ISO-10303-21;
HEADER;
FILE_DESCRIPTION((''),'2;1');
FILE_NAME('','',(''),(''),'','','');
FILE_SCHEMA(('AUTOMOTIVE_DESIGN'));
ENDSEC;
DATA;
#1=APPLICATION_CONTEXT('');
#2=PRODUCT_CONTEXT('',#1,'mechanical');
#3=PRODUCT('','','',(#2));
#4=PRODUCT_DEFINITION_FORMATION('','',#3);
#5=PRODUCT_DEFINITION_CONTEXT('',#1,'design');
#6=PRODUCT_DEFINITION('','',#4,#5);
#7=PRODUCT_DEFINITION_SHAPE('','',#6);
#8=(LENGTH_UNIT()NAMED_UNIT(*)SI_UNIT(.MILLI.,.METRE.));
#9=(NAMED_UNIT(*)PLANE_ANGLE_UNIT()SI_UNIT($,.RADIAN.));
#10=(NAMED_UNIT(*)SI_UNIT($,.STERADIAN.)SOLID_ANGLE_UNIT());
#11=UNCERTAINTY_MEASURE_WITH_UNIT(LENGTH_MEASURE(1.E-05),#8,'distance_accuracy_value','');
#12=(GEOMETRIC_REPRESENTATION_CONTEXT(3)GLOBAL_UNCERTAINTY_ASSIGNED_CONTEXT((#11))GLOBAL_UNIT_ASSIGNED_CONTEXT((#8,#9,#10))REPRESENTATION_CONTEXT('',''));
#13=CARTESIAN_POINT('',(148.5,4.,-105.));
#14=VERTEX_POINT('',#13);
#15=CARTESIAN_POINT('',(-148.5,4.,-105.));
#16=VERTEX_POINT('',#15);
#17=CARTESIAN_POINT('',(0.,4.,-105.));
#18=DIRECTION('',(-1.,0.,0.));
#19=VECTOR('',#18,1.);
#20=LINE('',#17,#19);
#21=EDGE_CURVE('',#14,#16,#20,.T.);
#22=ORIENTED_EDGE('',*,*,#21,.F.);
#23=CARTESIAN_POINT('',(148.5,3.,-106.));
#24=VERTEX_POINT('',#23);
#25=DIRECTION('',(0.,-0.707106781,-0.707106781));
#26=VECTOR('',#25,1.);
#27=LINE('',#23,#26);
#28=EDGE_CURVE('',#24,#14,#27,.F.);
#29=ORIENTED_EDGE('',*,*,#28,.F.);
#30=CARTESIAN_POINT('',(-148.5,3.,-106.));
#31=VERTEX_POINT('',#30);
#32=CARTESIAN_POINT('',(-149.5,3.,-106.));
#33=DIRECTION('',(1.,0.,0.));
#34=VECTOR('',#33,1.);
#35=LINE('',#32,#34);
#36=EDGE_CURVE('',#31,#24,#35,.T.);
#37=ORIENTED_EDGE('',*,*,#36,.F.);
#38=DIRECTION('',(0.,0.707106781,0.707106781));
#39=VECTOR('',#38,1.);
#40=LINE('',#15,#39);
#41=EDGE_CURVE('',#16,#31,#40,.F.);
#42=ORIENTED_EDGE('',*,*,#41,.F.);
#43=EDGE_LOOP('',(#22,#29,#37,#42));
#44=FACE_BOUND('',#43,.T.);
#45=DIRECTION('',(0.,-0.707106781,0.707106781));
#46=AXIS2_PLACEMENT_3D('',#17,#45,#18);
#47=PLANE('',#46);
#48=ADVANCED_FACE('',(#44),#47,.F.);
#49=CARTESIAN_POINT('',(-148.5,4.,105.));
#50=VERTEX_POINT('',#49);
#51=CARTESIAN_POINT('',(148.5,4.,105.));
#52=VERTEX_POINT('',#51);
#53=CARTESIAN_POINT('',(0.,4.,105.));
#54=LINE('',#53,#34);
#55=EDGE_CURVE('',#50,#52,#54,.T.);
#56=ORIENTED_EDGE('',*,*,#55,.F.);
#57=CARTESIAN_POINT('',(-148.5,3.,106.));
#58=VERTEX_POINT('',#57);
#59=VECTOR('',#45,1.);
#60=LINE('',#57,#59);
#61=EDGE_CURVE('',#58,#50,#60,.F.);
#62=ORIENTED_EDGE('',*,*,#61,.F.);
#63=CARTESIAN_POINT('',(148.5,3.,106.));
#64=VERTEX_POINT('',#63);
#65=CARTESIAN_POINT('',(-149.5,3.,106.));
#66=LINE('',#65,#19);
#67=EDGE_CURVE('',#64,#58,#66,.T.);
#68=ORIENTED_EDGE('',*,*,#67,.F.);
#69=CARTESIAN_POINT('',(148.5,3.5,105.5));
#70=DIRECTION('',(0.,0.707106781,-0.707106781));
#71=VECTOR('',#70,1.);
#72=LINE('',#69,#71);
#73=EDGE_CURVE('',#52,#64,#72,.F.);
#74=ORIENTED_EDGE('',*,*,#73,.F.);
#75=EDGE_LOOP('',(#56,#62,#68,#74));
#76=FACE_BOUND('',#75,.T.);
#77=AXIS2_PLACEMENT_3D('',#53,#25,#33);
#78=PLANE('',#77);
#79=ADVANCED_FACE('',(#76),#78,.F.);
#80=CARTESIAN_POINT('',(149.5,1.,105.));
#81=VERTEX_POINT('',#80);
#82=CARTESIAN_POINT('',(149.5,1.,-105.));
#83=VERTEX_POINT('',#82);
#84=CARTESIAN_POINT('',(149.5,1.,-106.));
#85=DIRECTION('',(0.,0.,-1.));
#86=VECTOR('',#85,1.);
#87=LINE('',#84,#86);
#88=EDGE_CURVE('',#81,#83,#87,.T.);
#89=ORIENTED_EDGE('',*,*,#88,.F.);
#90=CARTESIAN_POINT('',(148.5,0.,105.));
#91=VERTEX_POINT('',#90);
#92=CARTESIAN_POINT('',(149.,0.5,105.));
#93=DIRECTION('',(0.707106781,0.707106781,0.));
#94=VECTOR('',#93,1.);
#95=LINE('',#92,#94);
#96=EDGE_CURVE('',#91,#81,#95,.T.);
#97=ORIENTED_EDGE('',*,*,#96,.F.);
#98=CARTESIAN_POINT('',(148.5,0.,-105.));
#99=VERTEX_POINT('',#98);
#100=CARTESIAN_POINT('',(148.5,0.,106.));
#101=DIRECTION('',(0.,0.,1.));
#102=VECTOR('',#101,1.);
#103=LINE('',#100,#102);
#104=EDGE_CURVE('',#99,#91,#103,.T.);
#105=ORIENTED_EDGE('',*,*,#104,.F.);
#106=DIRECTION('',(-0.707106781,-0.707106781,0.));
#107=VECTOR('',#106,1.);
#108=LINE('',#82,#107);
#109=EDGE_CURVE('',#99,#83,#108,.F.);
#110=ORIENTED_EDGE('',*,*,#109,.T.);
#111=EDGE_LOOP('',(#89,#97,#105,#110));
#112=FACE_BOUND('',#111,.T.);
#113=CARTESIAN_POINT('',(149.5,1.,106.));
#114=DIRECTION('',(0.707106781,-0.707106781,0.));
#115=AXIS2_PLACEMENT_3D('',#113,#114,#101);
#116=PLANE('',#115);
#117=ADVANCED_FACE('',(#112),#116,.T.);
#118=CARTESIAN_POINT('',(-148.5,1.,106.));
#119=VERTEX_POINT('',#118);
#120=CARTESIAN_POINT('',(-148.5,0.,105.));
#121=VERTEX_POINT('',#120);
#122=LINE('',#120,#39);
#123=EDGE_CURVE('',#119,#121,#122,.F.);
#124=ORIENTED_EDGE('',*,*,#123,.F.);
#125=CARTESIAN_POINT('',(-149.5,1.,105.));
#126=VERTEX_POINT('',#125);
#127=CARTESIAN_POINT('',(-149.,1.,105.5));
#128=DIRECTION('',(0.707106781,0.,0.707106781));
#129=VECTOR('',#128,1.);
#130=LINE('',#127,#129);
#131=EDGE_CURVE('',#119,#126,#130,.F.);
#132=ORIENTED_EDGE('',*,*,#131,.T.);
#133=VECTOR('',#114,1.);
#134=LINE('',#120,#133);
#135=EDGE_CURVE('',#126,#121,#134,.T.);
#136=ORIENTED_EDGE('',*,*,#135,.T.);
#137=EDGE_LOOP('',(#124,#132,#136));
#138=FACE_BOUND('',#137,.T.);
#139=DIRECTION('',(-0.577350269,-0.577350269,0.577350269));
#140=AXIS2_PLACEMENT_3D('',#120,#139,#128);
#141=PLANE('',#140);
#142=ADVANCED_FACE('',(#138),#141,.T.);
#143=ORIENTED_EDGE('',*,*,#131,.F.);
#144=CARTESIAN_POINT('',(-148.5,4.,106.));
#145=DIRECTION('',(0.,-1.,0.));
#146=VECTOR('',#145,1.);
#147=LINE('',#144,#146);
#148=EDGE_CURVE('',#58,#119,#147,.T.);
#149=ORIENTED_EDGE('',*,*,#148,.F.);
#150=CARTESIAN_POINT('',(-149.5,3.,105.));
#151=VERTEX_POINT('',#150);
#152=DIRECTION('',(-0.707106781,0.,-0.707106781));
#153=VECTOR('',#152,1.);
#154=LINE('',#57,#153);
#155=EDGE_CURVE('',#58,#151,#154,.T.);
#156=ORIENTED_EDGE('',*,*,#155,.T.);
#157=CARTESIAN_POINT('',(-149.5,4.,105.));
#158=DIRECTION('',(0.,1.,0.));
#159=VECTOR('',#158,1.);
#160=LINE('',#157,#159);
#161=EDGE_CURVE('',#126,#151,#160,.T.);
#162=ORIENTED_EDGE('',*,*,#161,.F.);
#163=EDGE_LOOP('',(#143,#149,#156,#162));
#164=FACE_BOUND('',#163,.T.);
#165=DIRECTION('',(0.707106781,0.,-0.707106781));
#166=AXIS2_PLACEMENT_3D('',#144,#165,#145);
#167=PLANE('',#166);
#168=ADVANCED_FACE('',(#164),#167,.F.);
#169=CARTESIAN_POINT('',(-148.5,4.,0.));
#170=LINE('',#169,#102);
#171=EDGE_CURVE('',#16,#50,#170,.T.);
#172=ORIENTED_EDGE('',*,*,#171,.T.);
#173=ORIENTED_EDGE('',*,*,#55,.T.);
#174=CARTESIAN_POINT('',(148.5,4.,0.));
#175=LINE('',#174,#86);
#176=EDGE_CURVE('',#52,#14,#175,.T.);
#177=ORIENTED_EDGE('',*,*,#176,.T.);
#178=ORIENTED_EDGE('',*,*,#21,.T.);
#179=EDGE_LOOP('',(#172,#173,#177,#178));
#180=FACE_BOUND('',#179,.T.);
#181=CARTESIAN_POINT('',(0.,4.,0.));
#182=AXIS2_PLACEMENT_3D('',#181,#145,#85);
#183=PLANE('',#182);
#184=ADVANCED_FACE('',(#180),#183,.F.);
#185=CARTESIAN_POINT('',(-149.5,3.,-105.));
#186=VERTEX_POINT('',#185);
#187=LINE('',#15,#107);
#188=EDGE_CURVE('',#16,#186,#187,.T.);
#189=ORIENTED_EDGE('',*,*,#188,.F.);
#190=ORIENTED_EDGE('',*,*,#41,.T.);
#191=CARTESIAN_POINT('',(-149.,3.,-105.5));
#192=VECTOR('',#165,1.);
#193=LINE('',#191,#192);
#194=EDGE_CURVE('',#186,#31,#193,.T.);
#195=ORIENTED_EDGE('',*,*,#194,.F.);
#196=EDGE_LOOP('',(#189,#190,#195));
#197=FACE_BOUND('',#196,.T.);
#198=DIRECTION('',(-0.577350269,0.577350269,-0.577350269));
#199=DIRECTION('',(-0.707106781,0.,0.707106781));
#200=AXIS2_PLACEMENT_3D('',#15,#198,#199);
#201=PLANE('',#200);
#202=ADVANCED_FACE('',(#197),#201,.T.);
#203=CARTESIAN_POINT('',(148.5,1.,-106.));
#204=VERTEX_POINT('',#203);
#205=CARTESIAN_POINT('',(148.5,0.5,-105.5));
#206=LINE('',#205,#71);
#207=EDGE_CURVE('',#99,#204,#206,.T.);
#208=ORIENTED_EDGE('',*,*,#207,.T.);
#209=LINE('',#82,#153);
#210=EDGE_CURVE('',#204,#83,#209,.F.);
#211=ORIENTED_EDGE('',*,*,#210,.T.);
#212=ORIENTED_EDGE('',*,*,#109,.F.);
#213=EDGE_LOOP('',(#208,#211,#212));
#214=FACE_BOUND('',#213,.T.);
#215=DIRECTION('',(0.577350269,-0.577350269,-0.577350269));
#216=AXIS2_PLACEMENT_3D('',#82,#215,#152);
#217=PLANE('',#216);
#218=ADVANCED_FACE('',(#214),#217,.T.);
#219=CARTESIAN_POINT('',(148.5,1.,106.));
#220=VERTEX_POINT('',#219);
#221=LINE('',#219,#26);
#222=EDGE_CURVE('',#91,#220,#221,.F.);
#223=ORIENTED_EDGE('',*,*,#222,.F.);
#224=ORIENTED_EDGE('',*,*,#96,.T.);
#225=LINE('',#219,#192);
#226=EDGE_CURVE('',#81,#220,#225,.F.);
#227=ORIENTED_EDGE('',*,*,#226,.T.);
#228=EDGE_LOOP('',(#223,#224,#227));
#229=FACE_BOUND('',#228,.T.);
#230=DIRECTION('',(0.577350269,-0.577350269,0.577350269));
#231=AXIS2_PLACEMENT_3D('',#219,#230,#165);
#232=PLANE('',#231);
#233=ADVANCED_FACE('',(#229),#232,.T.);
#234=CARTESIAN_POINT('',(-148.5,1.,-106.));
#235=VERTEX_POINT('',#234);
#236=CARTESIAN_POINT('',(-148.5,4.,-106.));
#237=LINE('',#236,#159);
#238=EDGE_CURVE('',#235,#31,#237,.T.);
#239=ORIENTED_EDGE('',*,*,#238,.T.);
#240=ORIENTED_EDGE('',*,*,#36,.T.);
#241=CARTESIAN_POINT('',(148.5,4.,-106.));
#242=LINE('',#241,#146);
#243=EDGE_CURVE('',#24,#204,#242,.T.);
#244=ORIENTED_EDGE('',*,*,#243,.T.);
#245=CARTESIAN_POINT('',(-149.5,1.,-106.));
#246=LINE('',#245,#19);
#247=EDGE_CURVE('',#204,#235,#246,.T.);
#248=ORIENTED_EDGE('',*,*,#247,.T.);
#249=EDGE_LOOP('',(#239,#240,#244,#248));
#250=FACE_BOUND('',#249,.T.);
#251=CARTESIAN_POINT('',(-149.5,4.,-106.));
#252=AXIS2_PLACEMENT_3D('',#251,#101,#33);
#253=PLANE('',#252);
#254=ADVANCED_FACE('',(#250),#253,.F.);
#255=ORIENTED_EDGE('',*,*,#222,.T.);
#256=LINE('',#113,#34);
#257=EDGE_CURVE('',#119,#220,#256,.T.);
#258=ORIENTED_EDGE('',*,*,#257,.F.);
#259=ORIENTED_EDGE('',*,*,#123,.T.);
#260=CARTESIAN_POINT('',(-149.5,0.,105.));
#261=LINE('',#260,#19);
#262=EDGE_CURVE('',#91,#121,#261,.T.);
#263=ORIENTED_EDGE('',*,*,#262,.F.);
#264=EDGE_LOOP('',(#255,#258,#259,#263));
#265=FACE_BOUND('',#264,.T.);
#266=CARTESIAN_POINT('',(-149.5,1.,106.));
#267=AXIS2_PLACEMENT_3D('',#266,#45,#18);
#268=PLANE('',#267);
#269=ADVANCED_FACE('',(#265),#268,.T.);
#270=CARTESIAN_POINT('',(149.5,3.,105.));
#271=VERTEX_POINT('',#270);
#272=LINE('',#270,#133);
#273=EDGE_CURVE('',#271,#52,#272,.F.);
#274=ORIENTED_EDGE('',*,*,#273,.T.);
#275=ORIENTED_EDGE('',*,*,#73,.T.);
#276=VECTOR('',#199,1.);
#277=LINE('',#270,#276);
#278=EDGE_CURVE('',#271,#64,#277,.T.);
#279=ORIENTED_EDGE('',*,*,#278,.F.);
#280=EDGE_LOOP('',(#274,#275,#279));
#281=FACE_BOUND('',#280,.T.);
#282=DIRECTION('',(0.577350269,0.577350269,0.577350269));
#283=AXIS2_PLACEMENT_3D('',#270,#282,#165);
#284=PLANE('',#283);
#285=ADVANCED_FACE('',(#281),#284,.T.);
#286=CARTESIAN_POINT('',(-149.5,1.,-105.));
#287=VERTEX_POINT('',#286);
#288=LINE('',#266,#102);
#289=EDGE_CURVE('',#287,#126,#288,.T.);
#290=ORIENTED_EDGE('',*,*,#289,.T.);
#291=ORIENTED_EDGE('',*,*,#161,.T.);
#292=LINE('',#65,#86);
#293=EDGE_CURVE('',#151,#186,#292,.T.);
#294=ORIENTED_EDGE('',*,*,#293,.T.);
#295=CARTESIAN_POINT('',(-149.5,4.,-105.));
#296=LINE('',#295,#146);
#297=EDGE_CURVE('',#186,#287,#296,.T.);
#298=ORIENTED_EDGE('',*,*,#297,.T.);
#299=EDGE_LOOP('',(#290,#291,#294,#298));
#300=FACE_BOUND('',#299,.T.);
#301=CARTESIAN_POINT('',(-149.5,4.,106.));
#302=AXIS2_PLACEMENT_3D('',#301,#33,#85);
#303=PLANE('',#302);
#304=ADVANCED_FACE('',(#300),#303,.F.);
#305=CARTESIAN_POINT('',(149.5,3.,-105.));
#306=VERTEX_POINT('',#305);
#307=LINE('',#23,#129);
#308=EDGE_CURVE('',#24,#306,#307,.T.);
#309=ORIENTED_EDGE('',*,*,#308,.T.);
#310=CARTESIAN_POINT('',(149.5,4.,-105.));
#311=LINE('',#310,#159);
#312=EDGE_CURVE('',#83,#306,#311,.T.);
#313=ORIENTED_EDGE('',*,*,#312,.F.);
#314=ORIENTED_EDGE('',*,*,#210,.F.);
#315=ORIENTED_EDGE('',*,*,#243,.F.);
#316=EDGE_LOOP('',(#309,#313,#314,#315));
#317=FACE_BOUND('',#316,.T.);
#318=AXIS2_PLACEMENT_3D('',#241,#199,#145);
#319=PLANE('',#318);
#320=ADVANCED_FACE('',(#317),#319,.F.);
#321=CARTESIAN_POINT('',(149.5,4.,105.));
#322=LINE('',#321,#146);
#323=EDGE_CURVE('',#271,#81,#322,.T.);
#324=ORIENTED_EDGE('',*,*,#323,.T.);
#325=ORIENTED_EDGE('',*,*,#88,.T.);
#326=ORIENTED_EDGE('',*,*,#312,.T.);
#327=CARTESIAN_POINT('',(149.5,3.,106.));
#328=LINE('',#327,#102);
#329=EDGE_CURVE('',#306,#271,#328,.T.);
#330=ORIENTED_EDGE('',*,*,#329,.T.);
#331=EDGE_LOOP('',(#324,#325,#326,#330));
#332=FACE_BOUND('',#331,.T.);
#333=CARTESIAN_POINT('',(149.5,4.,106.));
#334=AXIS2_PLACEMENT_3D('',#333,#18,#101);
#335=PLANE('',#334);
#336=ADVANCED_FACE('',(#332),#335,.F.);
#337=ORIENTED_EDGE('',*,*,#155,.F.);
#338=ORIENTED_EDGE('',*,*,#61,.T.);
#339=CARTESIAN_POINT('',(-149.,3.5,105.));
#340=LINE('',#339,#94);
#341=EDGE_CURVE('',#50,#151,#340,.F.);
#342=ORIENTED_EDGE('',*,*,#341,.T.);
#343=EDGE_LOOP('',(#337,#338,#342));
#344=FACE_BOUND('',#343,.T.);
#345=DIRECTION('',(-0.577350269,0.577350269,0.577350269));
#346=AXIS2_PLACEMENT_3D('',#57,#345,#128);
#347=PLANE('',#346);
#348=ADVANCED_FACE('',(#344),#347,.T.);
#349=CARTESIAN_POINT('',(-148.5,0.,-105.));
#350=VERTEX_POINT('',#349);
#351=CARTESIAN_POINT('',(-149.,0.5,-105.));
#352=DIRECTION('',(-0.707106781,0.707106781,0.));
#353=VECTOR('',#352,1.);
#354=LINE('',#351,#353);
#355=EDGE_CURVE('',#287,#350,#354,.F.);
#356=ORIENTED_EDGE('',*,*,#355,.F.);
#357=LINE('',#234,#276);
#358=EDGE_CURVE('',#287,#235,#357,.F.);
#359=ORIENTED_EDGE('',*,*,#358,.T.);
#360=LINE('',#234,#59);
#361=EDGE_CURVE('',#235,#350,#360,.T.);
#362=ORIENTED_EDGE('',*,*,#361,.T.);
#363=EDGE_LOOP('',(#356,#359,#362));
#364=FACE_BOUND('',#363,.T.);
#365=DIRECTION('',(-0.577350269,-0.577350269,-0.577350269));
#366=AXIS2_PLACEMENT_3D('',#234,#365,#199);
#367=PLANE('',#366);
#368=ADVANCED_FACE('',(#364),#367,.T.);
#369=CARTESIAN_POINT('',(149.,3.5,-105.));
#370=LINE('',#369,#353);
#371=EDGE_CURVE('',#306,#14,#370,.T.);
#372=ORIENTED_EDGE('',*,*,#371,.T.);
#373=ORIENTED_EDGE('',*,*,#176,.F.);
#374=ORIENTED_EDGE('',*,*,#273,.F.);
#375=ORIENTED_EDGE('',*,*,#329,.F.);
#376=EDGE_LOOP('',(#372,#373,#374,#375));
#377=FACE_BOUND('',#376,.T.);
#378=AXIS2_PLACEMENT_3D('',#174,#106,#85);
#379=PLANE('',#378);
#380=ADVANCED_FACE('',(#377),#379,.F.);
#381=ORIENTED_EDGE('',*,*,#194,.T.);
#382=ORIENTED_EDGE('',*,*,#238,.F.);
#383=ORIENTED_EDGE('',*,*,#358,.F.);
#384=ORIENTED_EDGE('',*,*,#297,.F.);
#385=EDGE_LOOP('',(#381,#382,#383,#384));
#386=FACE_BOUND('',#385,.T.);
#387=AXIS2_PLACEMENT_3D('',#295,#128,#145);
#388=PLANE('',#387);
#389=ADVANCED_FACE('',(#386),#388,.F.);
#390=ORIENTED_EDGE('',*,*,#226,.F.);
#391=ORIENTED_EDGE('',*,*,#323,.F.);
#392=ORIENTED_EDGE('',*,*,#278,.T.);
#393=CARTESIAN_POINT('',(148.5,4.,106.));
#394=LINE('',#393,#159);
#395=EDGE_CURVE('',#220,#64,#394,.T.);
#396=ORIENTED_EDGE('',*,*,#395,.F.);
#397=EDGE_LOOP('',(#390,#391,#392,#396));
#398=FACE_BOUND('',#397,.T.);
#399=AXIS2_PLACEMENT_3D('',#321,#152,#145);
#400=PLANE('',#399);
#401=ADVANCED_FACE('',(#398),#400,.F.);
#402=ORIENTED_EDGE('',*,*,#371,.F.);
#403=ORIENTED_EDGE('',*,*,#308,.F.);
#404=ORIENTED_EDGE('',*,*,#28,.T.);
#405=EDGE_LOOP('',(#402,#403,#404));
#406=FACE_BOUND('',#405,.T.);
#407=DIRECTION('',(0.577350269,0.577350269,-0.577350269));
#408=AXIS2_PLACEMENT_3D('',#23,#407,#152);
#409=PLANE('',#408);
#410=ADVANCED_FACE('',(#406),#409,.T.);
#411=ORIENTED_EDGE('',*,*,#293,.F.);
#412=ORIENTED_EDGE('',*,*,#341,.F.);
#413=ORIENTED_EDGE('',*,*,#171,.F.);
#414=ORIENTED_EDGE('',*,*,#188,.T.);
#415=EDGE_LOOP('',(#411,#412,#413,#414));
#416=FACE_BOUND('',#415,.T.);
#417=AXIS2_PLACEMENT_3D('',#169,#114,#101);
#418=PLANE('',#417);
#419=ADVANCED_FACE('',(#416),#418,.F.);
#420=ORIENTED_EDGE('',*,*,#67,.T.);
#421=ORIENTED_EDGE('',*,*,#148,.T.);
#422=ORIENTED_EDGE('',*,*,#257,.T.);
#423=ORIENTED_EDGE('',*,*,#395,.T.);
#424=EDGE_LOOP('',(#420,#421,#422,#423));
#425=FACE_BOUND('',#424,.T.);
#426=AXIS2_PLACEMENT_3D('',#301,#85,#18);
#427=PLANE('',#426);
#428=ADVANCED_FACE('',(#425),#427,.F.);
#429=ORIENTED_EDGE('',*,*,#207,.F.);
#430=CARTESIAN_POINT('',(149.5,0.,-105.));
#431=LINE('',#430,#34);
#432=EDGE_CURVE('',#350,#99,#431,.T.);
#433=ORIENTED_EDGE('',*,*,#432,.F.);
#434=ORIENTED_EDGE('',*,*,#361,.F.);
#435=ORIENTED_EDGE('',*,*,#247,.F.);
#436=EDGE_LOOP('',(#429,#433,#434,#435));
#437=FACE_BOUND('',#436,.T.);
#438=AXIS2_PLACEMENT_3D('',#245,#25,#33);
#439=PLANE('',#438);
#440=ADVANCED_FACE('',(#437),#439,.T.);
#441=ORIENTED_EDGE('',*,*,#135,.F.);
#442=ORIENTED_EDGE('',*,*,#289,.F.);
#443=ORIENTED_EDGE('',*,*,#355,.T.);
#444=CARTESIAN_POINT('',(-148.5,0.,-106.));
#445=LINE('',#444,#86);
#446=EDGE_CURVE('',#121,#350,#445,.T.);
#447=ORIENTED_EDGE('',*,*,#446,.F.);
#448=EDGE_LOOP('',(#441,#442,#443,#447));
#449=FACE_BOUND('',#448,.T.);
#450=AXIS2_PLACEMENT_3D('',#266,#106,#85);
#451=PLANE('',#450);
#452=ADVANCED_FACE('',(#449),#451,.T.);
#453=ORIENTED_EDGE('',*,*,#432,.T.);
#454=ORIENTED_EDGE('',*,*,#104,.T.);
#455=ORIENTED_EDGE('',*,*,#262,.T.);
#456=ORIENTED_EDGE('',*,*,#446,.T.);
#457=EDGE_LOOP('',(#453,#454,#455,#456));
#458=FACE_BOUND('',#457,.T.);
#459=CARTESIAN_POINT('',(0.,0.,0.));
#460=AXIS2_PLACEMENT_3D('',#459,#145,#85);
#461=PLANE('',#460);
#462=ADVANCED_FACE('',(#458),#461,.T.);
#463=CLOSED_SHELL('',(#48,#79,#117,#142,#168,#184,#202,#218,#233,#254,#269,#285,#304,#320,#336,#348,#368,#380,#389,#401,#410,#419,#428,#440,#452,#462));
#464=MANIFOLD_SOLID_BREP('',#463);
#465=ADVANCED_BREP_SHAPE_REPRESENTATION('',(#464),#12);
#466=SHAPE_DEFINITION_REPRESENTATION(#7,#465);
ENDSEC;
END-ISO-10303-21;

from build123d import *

# Parameters (mm, degrees)
CROQUIS1_W              = 299
CROQUIS1_H              = 212
SALIENTE_EXTRUIR1_DEPTH = 4
CHAFL_N1_SIZE           = 1


with BuildPart() as part:
    # Croquis1 → Saliente-Extruir1 (new body)
    with BuildSketch(Plane(origin=(0, 0, 0), x_dir=(1, 0, 0), z_dir=(0, 1, 0))):
        Rectangle(CROQUIS1_W, CROQUIS1_H)
    extrude(amount=SALIENTE_EXTRUIR1_DEPTH)

    # Chaflán1
    chafl_n1_edges = [part.edges().sort_by_distance(p)[0] for p in [
        (149.5, 4, 0),
        (0, 4, -106),
        (-149.5, 4, 0),
        (0, 0, -106),
        (149.5, 0, 0),
        (0, 0, 106),
        (-149.5, 0, 0),
        (0, 4, 106),
        (-149.5, 2, -106),
        (149.5, 2, -106),
        (149.5, 2, 106),
        (-149.5, 2, 106),
    ]]
    chamfer(chafl_n1_edges, length=CHAFL_N1_SIZE)


solid = part.part
